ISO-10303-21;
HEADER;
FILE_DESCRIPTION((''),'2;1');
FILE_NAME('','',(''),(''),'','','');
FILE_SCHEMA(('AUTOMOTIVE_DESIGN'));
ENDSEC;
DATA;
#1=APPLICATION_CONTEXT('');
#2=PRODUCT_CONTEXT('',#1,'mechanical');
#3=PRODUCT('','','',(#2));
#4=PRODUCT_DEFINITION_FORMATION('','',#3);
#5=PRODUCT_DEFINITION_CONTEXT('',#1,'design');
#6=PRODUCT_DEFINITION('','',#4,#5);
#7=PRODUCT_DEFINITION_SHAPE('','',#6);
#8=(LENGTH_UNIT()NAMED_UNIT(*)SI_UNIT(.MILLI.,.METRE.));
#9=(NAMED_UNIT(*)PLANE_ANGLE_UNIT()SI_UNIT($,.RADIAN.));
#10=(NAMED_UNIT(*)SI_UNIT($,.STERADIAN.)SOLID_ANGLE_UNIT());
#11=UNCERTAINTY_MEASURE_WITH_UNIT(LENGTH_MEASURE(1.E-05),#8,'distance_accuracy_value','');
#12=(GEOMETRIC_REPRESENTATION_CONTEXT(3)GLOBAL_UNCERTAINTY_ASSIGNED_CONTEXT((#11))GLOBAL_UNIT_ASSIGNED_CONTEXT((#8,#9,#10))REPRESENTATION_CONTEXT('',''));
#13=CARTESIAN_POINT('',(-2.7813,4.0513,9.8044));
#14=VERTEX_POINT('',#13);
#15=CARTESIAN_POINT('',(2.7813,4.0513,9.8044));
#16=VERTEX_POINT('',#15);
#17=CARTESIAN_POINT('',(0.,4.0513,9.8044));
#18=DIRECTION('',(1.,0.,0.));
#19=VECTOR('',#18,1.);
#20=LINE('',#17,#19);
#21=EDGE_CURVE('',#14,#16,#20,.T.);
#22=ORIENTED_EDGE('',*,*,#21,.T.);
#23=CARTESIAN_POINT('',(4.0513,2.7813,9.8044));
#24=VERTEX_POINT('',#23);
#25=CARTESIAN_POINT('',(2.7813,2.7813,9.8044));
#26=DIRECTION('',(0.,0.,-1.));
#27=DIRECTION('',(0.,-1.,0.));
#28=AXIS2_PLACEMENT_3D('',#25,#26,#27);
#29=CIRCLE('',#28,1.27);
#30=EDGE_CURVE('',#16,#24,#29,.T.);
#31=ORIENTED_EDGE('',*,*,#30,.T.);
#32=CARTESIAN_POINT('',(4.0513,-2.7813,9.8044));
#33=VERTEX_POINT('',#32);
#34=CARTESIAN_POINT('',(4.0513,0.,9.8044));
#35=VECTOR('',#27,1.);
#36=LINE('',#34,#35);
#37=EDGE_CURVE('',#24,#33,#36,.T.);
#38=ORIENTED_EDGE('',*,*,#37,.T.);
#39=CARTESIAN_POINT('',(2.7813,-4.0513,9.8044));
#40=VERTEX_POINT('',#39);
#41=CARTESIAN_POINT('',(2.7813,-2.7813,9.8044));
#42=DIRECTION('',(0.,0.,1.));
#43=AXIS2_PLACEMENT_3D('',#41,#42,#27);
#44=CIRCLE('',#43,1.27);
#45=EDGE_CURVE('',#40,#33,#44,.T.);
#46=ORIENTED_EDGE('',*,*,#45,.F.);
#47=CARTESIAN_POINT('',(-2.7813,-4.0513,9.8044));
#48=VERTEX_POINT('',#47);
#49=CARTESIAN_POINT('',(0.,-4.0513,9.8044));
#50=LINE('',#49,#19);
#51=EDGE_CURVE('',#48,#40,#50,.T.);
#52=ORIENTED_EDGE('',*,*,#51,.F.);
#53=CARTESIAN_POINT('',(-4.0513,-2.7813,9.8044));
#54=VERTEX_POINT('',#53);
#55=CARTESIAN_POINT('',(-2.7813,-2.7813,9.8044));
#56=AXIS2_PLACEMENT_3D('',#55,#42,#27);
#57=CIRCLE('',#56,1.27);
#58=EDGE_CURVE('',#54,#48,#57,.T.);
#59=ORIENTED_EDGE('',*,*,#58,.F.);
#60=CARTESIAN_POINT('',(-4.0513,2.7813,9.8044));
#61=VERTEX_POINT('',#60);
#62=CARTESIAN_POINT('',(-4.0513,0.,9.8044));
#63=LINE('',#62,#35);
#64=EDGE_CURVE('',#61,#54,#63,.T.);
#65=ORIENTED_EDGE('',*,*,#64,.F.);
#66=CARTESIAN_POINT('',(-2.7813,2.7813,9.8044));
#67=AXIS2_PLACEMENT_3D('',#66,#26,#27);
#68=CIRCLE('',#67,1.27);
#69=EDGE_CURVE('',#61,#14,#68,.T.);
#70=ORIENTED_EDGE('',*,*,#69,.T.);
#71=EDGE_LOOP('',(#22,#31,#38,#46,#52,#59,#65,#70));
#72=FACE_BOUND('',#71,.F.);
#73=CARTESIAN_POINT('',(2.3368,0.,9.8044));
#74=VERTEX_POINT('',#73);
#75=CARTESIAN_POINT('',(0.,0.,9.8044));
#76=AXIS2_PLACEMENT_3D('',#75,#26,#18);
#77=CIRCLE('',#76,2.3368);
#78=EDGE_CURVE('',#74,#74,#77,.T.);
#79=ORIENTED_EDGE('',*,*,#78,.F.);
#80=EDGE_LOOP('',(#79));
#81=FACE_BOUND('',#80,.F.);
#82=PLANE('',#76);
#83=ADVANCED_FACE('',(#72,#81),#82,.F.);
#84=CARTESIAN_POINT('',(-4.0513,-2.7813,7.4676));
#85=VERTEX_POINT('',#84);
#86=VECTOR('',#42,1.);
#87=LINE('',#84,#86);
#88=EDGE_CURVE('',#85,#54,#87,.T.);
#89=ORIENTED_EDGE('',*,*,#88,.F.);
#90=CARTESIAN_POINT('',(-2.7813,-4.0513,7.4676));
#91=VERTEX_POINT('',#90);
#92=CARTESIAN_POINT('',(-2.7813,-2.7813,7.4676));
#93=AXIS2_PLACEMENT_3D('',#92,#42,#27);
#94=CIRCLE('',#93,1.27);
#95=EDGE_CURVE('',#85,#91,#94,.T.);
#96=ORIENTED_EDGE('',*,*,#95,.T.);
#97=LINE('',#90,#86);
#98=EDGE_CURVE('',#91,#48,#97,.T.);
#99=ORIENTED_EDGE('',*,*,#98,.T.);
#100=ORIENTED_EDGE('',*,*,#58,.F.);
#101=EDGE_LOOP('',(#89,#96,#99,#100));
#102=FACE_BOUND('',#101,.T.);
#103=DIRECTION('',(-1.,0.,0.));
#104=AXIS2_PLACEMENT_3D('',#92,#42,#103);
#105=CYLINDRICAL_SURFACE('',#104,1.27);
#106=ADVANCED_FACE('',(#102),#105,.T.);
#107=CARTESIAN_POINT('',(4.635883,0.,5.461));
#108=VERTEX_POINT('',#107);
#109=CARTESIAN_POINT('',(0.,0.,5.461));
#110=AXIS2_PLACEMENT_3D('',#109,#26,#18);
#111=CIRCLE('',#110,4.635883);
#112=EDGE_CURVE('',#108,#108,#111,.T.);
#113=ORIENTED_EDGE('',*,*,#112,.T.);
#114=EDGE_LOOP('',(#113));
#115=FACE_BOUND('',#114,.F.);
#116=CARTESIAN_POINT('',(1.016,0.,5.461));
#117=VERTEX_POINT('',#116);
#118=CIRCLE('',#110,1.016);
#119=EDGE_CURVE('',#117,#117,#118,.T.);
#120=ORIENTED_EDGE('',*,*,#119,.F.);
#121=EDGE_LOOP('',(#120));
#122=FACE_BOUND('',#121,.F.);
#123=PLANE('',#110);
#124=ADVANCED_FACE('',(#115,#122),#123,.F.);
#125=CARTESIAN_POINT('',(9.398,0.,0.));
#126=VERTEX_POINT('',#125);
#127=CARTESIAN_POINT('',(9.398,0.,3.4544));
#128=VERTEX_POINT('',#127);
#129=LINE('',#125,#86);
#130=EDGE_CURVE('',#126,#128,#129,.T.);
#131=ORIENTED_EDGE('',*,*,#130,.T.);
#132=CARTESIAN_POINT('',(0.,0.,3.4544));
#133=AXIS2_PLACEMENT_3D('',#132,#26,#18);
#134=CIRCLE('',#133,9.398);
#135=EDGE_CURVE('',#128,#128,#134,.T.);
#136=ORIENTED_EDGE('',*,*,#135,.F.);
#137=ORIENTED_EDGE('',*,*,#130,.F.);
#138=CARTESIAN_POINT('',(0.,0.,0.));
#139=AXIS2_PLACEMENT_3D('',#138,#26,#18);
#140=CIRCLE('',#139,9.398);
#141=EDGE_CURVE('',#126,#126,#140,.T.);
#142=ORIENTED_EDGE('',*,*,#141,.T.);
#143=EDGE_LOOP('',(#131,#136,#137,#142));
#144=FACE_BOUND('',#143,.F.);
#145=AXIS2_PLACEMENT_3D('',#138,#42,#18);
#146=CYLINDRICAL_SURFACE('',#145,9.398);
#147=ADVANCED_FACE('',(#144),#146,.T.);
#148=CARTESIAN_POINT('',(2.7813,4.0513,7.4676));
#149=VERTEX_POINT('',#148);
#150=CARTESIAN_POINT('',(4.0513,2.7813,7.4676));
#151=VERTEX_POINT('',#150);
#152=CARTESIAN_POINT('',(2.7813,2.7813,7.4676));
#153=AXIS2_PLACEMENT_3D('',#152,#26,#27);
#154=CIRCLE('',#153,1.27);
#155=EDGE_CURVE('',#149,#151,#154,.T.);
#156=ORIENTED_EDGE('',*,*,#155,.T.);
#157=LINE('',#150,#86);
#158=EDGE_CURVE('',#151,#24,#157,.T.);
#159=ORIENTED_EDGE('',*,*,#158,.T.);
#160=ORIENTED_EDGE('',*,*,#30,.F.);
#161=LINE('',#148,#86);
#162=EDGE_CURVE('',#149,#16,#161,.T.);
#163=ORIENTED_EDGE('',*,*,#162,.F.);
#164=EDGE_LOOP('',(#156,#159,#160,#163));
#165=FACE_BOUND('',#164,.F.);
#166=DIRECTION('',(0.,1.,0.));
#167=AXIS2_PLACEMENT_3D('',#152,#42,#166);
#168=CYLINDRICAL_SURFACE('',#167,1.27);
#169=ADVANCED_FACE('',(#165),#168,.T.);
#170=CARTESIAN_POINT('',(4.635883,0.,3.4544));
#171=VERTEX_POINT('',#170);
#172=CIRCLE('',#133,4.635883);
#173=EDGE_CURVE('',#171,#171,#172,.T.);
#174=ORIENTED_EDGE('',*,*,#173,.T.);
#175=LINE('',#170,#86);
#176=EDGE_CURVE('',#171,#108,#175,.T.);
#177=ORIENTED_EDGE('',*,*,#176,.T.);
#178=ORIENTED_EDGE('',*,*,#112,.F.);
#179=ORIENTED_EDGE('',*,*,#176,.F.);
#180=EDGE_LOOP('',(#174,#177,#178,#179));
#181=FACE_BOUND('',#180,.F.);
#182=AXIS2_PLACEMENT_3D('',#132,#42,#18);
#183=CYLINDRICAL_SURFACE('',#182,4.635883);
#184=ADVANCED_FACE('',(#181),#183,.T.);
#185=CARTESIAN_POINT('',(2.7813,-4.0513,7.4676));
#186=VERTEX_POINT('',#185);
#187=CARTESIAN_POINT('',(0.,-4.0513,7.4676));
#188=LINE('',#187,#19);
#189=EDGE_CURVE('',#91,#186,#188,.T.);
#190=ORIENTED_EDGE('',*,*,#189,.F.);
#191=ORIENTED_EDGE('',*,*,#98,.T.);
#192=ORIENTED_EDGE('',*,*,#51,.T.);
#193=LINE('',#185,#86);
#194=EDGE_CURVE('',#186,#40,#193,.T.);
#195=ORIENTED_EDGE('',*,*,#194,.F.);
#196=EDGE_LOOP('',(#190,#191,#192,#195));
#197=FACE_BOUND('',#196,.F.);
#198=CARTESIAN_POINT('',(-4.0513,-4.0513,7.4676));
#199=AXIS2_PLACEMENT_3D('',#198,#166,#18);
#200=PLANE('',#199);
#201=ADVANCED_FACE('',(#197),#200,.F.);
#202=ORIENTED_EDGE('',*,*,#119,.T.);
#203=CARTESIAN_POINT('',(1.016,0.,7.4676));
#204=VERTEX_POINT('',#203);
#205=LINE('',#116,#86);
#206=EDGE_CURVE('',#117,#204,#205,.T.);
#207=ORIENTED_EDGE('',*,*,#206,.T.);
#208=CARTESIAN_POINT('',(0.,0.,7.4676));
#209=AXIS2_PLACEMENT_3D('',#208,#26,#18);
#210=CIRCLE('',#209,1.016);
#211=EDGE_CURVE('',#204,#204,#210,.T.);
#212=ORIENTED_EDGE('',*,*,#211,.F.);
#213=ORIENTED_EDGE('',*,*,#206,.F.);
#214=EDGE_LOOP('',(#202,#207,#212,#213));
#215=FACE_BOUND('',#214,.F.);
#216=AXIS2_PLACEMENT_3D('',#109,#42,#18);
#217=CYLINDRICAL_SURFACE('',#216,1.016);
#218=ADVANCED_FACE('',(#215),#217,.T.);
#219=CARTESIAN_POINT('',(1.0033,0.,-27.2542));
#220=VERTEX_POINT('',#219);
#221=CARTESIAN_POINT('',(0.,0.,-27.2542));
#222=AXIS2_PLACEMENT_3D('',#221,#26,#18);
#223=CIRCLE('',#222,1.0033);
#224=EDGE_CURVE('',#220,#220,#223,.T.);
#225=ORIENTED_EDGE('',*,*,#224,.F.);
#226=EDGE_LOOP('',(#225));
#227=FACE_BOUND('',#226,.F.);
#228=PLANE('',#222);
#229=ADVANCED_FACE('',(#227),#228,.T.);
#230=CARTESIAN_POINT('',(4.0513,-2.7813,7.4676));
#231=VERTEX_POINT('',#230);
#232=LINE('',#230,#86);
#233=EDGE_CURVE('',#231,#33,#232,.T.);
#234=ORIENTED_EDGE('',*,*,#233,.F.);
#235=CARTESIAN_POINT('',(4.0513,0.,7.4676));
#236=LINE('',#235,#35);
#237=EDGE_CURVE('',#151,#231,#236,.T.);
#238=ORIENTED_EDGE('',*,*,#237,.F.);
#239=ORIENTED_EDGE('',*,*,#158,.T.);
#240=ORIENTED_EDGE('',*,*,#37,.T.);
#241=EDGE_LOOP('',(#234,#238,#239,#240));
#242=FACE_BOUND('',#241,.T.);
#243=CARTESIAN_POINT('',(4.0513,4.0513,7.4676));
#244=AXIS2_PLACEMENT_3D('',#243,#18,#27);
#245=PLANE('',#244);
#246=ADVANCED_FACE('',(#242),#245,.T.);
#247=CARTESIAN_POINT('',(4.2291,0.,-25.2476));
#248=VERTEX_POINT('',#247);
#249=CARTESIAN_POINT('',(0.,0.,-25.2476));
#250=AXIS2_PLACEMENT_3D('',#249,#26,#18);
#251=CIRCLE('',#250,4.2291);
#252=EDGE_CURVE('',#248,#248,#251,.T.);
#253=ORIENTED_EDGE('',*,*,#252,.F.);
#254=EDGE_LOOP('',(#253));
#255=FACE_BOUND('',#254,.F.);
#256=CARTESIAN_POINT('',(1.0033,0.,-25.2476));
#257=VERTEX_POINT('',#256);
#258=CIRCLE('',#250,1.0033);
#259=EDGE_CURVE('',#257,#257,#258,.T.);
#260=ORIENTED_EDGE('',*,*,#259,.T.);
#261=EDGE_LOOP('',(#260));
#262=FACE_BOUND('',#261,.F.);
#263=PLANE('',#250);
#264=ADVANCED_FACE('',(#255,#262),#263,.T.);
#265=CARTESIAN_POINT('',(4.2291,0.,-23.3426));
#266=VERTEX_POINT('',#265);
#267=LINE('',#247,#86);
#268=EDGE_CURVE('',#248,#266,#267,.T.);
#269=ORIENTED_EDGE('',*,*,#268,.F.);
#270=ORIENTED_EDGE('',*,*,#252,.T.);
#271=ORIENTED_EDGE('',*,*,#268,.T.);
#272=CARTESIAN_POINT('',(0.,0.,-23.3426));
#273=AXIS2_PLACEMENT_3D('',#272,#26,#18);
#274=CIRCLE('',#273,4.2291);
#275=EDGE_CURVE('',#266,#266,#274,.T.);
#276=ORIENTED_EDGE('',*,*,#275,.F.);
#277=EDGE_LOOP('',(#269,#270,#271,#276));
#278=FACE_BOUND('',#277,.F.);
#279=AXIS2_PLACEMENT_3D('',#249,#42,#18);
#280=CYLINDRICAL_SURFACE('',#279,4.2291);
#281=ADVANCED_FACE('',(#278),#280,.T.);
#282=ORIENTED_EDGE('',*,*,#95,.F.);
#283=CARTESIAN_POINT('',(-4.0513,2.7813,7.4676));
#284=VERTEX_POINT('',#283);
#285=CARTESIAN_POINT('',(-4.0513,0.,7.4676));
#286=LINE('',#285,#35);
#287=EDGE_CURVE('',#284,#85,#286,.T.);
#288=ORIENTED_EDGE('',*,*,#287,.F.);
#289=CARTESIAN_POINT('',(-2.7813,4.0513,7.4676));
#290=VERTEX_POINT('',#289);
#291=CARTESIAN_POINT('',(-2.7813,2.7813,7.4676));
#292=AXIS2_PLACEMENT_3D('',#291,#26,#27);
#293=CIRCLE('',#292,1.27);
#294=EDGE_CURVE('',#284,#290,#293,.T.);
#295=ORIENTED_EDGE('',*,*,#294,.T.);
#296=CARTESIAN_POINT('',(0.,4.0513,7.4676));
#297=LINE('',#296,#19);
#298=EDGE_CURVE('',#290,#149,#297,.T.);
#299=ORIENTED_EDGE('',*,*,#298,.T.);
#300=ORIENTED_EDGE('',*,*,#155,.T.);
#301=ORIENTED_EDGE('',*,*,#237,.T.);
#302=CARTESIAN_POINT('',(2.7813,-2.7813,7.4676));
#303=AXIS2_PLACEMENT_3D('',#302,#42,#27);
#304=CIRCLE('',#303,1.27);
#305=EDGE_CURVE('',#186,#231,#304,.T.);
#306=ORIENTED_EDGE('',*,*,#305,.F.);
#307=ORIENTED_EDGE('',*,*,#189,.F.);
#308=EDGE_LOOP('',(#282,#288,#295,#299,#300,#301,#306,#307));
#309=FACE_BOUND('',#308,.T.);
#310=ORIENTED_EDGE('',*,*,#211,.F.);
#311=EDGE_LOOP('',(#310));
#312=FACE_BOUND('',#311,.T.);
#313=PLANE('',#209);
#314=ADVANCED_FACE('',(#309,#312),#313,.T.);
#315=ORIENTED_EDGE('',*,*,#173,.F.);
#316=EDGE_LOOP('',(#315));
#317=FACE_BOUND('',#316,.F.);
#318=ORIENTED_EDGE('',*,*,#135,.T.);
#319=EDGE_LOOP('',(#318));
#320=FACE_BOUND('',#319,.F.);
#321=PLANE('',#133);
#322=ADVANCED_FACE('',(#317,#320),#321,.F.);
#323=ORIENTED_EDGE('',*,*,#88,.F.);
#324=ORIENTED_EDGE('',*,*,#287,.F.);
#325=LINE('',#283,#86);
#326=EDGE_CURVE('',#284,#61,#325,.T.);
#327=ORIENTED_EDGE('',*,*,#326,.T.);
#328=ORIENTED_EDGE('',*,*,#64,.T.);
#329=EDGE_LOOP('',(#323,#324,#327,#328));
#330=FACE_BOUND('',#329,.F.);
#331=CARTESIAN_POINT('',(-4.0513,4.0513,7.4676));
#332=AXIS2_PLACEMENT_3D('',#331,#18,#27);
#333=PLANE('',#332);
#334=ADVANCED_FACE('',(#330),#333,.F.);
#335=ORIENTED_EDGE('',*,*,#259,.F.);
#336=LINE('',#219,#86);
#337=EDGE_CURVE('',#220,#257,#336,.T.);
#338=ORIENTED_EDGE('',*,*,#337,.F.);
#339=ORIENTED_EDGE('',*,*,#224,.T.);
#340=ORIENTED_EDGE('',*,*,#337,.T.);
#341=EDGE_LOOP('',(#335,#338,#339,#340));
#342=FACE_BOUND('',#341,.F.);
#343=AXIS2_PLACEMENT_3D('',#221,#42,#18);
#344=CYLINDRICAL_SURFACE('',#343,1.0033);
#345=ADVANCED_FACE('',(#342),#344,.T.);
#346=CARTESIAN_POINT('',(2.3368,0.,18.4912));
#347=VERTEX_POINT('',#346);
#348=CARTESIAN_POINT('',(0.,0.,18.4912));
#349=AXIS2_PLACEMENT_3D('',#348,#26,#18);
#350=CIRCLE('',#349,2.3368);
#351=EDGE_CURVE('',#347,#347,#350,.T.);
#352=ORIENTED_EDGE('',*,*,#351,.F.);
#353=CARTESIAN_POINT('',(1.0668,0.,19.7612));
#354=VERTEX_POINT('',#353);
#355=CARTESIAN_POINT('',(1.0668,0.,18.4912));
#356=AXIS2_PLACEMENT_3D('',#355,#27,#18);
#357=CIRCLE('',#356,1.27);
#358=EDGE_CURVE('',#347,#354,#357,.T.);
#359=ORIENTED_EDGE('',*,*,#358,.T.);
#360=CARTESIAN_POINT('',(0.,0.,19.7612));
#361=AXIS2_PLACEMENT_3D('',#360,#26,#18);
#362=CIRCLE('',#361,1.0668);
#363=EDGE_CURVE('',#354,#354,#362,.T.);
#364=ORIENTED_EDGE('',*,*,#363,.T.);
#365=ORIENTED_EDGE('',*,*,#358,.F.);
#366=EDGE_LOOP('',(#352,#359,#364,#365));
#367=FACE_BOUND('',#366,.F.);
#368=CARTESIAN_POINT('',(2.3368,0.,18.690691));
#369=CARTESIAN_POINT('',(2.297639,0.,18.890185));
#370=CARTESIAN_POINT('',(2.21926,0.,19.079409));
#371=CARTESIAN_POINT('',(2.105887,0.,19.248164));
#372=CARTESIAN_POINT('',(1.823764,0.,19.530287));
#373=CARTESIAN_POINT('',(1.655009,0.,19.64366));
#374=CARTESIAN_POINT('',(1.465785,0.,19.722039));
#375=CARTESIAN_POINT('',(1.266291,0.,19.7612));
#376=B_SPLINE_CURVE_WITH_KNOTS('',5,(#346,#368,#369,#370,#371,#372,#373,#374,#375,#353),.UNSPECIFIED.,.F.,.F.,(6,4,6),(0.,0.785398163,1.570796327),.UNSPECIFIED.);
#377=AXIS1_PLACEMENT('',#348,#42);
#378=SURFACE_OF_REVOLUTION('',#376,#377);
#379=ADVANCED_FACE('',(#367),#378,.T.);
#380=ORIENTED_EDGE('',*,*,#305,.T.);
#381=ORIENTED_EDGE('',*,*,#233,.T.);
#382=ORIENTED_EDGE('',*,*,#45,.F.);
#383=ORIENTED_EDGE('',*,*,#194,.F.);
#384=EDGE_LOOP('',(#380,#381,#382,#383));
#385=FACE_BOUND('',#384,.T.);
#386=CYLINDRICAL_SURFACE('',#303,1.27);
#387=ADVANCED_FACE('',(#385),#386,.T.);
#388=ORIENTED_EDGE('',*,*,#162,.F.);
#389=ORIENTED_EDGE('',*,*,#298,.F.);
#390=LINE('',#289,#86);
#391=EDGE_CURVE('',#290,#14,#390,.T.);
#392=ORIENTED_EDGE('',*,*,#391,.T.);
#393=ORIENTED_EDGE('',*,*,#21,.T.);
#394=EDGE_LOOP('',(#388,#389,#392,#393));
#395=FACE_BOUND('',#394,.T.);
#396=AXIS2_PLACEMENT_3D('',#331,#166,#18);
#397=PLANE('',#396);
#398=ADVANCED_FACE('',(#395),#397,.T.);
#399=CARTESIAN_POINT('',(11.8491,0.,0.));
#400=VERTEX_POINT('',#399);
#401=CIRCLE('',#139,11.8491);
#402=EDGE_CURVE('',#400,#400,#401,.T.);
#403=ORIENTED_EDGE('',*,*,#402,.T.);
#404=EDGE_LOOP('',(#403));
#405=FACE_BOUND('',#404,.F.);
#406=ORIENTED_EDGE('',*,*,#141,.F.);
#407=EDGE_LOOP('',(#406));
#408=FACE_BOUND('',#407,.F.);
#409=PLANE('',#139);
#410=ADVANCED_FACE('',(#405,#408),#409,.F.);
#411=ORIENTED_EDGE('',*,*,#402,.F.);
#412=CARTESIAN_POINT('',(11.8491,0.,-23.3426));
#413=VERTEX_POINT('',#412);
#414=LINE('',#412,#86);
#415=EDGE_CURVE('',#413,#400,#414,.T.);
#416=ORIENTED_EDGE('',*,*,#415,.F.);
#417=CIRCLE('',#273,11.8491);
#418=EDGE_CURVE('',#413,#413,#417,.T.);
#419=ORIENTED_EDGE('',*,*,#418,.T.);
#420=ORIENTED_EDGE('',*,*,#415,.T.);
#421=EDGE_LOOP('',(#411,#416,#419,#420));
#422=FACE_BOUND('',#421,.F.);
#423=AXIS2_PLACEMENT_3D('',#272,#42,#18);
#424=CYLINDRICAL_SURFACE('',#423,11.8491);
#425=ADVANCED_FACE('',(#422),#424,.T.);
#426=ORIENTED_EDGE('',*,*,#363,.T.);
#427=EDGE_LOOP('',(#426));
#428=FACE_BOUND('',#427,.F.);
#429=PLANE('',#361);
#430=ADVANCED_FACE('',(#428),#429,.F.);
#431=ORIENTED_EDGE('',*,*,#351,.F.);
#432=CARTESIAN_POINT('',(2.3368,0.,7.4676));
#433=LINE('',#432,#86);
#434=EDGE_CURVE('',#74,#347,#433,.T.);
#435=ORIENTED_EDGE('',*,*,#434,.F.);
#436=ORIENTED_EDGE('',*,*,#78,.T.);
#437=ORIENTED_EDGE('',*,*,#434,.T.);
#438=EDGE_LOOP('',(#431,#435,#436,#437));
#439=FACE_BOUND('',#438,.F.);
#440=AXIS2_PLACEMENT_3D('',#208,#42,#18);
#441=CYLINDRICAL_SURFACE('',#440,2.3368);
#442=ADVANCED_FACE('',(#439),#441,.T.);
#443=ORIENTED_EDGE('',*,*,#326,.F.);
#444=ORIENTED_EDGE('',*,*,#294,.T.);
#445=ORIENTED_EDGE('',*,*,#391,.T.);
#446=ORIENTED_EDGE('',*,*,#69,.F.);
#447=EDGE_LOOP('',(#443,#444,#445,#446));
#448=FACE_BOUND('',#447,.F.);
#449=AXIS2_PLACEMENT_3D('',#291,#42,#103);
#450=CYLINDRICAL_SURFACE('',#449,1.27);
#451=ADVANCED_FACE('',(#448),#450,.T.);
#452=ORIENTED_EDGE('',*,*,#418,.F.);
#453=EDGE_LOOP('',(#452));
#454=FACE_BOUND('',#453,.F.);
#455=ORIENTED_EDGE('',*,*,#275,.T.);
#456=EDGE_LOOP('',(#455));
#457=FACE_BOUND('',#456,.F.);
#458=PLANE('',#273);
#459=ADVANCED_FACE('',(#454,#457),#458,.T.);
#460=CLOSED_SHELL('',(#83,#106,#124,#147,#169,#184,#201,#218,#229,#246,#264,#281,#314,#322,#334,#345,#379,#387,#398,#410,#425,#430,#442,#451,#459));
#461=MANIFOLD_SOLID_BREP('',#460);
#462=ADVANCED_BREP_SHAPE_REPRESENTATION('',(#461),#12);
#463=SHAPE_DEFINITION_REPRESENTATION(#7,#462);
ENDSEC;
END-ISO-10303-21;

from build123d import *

# Parameters (mm, degrees)
F2_W     = 8.1026
F2_H     = 8.1026
F2_R     = 2.3368
F3_DEPTH = 2.3368
F4_R     = 1.27
F5_R     = 1.27


with BuildPart() as f1:
    # F0 (on Front) → F1 (revolve)
    with BuildSketch(Plane.XZ):
        Polygon((11.8491, -23.3426), (11.8491, 0), (9.398, 0), (9.398, 3.4544), (4.635883, 3.4544), (4.635883, 5.461), (1.016, 5.461), (1.016, 7.4676), (2.3368, 7.4676), (2.3368, 19.7612), (0, 19.7612), (0, -27.2542), (1.0033, -27.2542), (1.0033, -25.2476), (4.2291, -25.2476), (4.2291, -23.3426), align=None)
    revolve(axis=Axis((0, 0, -3.7465), (0, 0, -1)))

    # F2 (on face) → F3 (join)
    with BuildSketch(Plane(origin=(0, 0, 7.4676), x_dir=(1, 0, 0), z_dir=(0, 0, -1))):
        Rectangle(F2_W, F2_H)
        Circle(F2_R, mode=Mode.SUBTRACT)
    extrude(amount=-F3_DEPTH)

    # F4
    f4_edges = [f1.edges().sort_by_distance(p)[0] for p in [
        (4.0513, -4.0513, 8.636),
        (-4.0513, -4.0513, 8.636),
        (-4.0513, 4.0513, 8.636),
        (4.0513, 4.0513, 8.636),
    ]]
    fillet(f4_edges, radius=F4_R)

    # F5
    f5_edges = [f1.edges().sort_by_distance(p)[0] for p in [
        (-2.3368, 0, 19.7612),
    ]]
    fillet(f5_edges, radius=F5_R)


solid = f1.part
